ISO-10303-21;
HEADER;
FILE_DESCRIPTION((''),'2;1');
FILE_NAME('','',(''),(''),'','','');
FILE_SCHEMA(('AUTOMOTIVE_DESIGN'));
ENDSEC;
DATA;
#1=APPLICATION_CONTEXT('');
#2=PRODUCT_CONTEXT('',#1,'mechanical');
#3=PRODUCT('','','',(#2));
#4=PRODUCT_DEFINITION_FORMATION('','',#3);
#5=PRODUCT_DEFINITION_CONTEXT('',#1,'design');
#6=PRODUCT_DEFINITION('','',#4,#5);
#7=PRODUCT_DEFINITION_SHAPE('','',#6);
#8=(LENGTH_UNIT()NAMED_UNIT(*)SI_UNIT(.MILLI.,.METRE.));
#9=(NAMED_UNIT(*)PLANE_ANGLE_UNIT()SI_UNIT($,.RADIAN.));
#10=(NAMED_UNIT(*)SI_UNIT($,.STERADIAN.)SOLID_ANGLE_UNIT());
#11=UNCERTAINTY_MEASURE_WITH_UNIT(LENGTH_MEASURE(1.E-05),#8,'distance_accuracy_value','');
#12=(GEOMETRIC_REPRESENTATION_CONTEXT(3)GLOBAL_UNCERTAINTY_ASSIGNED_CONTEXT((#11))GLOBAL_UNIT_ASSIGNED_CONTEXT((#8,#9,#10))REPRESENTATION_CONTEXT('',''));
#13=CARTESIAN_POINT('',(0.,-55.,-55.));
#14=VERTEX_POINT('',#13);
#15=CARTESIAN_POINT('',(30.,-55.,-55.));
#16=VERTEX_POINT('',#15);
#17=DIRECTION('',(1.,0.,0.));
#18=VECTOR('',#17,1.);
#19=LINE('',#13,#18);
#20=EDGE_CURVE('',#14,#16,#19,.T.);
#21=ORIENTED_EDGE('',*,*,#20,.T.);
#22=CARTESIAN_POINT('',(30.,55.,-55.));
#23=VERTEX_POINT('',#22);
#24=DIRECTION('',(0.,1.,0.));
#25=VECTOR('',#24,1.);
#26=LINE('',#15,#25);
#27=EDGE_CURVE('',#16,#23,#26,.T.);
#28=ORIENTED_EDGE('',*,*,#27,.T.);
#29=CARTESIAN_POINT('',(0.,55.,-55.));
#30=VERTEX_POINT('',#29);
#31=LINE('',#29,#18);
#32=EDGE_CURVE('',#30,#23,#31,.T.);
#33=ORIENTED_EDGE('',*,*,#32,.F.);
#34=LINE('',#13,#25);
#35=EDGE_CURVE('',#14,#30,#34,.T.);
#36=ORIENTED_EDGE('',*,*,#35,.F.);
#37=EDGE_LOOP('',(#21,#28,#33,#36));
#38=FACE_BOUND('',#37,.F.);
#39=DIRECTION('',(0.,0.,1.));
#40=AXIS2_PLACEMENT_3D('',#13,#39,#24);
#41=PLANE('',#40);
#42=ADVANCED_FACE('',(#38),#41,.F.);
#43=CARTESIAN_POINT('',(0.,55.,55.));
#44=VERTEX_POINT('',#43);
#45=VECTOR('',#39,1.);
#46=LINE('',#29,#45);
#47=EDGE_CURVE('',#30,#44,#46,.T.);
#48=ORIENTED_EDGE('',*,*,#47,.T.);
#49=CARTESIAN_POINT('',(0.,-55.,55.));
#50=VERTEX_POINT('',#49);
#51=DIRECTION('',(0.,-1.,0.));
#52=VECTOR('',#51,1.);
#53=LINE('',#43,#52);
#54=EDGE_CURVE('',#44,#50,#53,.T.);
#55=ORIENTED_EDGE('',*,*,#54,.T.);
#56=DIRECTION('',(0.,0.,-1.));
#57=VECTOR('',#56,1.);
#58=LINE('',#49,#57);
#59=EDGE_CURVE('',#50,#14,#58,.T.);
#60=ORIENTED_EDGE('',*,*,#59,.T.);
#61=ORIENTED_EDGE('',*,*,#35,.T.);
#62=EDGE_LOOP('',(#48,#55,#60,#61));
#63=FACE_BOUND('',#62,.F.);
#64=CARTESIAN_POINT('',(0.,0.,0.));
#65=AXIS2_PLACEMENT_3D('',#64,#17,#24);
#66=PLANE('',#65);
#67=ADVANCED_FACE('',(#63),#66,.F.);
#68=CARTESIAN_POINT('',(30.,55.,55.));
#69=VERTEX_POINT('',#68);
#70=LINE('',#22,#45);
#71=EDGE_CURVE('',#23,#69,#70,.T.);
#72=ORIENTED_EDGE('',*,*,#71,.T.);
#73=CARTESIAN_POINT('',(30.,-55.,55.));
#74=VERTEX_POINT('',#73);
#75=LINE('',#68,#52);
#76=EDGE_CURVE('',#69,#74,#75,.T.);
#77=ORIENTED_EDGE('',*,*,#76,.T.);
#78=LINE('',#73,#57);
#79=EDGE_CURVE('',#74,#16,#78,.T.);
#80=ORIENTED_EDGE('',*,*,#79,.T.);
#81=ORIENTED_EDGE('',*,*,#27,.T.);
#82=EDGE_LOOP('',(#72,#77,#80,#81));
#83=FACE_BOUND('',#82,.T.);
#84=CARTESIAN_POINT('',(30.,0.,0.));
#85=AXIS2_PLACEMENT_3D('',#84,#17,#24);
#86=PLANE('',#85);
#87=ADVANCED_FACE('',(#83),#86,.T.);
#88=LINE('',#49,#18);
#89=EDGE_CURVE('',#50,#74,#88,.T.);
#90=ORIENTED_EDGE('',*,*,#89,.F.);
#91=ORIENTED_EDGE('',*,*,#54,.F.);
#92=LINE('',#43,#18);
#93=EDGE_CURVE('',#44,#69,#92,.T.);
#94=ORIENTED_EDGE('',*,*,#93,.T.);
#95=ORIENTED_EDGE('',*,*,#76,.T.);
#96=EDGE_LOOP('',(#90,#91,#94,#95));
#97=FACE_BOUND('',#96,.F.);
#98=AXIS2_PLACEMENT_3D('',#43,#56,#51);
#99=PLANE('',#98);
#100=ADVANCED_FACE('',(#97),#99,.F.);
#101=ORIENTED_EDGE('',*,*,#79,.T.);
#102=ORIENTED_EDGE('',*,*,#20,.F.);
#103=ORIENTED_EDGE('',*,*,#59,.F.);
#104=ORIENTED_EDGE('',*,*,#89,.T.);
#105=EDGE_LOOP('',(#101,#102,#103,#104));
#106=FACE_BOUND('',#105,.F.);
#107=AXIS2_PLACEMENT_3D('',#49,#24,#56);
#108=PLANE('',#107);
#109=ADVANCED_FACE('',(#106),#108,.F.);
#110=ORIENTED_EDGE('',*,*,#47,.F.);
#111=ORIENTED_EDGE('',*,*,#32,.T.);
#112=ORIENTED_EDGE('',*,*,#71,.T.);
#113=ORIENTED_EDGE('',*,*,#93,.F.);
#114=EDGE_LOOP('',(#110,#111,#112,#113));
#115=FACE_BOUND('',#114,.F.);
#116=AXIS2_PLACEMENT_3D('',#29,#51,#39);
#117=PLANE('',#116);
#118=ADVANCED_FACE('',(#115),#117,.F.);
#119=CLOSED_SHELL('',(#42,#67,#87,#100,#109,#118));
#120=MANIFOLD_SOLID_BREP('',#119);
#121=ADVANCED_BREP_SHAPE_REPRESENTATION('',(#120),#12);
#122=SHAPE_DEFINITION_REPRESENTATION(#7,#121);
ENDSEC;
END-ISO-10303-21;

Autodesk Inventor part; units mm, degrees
ref_plane "YZ Plane" through (0, 0, 0) normal (1, 0, 0) x (0, 1, 0)
ref_plane "XZ Plane" through (0, 0, 0) normal (0, 1, 0) x (-1, 0, 0)
ref_plane "XY Plane" through (0, 0, 0) normal (0, 0, 1) x (1, 0, 0)
sketch "Sketch1" plane through (0, 0, 0) normal (1, 0, 0) x (0, 1, 0)
  line L0 (-55, -55) -> (55, -55)
  line L1 (55, -55) -> (55, 55)
  line L2 (55, 55) -> (-55, 55)
  line L3 (-55, 55) -> (-55, -55)
  line L4 (-55, -55) -> (55, 55) construction
  line L5 (55, -55) -> (-55, 55) construction
  point P0 (0, 0)
  dimension "d0" = 110
  dimension "d1" = 110
extrude "Extrusion1" add sketch "Sketch1" along normal blind 30
equation "\"d0\" = aerogelWidth"
equation "\"d1\" = aerogelHeight"
equation "\"d2\" = aerogelThickness"
equation "\"acrylicThickness\" = 6.35"
equation "\"aerogelThickness\" = 30"
equation "\"height\" = 127"
equation "\"width\" = 127"
equation "\"depth\" = 273.05"
equation "\"mirrorAngle\" = 5deg"
equation "\"detectorWidth\" = 52"
equation "\"detectorHeight\" = 52"
equation "\"mirrorThickness\" = 3.175"
equation "\"fresnelEffectiveDiameter\" = 152.4"
equation "\"focalLength\" = 76.2"
equation "\"centerThickness\" = 1.524"
equation "\"ior\" = 1.49"
equation "\"fresnelAngle\" = 90deg"
equation "\"fresnelThickness\" = 0.1"
equation "\"mirrorSuppourtWidth\" = 38.1"
equation "\"sensorHolderFlushORingID\" = 304.8"
equation "\"oRingWidth\" = 1.5875"
equation "\"sensorHolderSensorWidth\" = 53.975"
equation "\"frontBackORingID\" = 419.1"
equation "\"sensorHolderORingID\" = 203.2"
equation "\"sensorHolderHeight\" = 88.9"
equation "\"sensorHolderSensorHeight\" = 53.975"
equation "\"backGrooveBit\" = 4.8006"
equation "\"sensorHolderWidth\" = 88.9"
equation "\"mirrorGroove\" = 19.05"
equation "\"backMirrorGroove\" = 6.35"
equation "\"mirrorGrooveMill\" = 3.175"
equation "\"fresnelChamfer\" = 6.35"
equation "\"fresnelMirrorChamfer\" = 6.35"
equation "\"detectorOpeningHeight\" = 76.2"
equation "\"detectorOpeningWidth\" = 76.2"
equation "\"sensorHolderDepth\" = 19.05"
equation "\"aerogelHeight\" = 110"
equation "\"aerogelWidth\" = 110"
equation "\"internalAcrylicThickness\" = 6.35"
equation "\"frameAcrylicThickness\" = 9.525"
equation "\"aerogelClearence\" = 3.175"
equation "\"backplanePCBWidth\" = 76.2"
equation "\"backplanePostionOffsett\" = 12.7"
equation "\"backplanePCBHeight\" = 76.2"
equation "\"backplaneHoleOffsett\" = 6.35"
equation "\"moduleSlotClearence\" = 0.79375"
properties part number "aerogelBlock" material "PC/ABS Plastic"
